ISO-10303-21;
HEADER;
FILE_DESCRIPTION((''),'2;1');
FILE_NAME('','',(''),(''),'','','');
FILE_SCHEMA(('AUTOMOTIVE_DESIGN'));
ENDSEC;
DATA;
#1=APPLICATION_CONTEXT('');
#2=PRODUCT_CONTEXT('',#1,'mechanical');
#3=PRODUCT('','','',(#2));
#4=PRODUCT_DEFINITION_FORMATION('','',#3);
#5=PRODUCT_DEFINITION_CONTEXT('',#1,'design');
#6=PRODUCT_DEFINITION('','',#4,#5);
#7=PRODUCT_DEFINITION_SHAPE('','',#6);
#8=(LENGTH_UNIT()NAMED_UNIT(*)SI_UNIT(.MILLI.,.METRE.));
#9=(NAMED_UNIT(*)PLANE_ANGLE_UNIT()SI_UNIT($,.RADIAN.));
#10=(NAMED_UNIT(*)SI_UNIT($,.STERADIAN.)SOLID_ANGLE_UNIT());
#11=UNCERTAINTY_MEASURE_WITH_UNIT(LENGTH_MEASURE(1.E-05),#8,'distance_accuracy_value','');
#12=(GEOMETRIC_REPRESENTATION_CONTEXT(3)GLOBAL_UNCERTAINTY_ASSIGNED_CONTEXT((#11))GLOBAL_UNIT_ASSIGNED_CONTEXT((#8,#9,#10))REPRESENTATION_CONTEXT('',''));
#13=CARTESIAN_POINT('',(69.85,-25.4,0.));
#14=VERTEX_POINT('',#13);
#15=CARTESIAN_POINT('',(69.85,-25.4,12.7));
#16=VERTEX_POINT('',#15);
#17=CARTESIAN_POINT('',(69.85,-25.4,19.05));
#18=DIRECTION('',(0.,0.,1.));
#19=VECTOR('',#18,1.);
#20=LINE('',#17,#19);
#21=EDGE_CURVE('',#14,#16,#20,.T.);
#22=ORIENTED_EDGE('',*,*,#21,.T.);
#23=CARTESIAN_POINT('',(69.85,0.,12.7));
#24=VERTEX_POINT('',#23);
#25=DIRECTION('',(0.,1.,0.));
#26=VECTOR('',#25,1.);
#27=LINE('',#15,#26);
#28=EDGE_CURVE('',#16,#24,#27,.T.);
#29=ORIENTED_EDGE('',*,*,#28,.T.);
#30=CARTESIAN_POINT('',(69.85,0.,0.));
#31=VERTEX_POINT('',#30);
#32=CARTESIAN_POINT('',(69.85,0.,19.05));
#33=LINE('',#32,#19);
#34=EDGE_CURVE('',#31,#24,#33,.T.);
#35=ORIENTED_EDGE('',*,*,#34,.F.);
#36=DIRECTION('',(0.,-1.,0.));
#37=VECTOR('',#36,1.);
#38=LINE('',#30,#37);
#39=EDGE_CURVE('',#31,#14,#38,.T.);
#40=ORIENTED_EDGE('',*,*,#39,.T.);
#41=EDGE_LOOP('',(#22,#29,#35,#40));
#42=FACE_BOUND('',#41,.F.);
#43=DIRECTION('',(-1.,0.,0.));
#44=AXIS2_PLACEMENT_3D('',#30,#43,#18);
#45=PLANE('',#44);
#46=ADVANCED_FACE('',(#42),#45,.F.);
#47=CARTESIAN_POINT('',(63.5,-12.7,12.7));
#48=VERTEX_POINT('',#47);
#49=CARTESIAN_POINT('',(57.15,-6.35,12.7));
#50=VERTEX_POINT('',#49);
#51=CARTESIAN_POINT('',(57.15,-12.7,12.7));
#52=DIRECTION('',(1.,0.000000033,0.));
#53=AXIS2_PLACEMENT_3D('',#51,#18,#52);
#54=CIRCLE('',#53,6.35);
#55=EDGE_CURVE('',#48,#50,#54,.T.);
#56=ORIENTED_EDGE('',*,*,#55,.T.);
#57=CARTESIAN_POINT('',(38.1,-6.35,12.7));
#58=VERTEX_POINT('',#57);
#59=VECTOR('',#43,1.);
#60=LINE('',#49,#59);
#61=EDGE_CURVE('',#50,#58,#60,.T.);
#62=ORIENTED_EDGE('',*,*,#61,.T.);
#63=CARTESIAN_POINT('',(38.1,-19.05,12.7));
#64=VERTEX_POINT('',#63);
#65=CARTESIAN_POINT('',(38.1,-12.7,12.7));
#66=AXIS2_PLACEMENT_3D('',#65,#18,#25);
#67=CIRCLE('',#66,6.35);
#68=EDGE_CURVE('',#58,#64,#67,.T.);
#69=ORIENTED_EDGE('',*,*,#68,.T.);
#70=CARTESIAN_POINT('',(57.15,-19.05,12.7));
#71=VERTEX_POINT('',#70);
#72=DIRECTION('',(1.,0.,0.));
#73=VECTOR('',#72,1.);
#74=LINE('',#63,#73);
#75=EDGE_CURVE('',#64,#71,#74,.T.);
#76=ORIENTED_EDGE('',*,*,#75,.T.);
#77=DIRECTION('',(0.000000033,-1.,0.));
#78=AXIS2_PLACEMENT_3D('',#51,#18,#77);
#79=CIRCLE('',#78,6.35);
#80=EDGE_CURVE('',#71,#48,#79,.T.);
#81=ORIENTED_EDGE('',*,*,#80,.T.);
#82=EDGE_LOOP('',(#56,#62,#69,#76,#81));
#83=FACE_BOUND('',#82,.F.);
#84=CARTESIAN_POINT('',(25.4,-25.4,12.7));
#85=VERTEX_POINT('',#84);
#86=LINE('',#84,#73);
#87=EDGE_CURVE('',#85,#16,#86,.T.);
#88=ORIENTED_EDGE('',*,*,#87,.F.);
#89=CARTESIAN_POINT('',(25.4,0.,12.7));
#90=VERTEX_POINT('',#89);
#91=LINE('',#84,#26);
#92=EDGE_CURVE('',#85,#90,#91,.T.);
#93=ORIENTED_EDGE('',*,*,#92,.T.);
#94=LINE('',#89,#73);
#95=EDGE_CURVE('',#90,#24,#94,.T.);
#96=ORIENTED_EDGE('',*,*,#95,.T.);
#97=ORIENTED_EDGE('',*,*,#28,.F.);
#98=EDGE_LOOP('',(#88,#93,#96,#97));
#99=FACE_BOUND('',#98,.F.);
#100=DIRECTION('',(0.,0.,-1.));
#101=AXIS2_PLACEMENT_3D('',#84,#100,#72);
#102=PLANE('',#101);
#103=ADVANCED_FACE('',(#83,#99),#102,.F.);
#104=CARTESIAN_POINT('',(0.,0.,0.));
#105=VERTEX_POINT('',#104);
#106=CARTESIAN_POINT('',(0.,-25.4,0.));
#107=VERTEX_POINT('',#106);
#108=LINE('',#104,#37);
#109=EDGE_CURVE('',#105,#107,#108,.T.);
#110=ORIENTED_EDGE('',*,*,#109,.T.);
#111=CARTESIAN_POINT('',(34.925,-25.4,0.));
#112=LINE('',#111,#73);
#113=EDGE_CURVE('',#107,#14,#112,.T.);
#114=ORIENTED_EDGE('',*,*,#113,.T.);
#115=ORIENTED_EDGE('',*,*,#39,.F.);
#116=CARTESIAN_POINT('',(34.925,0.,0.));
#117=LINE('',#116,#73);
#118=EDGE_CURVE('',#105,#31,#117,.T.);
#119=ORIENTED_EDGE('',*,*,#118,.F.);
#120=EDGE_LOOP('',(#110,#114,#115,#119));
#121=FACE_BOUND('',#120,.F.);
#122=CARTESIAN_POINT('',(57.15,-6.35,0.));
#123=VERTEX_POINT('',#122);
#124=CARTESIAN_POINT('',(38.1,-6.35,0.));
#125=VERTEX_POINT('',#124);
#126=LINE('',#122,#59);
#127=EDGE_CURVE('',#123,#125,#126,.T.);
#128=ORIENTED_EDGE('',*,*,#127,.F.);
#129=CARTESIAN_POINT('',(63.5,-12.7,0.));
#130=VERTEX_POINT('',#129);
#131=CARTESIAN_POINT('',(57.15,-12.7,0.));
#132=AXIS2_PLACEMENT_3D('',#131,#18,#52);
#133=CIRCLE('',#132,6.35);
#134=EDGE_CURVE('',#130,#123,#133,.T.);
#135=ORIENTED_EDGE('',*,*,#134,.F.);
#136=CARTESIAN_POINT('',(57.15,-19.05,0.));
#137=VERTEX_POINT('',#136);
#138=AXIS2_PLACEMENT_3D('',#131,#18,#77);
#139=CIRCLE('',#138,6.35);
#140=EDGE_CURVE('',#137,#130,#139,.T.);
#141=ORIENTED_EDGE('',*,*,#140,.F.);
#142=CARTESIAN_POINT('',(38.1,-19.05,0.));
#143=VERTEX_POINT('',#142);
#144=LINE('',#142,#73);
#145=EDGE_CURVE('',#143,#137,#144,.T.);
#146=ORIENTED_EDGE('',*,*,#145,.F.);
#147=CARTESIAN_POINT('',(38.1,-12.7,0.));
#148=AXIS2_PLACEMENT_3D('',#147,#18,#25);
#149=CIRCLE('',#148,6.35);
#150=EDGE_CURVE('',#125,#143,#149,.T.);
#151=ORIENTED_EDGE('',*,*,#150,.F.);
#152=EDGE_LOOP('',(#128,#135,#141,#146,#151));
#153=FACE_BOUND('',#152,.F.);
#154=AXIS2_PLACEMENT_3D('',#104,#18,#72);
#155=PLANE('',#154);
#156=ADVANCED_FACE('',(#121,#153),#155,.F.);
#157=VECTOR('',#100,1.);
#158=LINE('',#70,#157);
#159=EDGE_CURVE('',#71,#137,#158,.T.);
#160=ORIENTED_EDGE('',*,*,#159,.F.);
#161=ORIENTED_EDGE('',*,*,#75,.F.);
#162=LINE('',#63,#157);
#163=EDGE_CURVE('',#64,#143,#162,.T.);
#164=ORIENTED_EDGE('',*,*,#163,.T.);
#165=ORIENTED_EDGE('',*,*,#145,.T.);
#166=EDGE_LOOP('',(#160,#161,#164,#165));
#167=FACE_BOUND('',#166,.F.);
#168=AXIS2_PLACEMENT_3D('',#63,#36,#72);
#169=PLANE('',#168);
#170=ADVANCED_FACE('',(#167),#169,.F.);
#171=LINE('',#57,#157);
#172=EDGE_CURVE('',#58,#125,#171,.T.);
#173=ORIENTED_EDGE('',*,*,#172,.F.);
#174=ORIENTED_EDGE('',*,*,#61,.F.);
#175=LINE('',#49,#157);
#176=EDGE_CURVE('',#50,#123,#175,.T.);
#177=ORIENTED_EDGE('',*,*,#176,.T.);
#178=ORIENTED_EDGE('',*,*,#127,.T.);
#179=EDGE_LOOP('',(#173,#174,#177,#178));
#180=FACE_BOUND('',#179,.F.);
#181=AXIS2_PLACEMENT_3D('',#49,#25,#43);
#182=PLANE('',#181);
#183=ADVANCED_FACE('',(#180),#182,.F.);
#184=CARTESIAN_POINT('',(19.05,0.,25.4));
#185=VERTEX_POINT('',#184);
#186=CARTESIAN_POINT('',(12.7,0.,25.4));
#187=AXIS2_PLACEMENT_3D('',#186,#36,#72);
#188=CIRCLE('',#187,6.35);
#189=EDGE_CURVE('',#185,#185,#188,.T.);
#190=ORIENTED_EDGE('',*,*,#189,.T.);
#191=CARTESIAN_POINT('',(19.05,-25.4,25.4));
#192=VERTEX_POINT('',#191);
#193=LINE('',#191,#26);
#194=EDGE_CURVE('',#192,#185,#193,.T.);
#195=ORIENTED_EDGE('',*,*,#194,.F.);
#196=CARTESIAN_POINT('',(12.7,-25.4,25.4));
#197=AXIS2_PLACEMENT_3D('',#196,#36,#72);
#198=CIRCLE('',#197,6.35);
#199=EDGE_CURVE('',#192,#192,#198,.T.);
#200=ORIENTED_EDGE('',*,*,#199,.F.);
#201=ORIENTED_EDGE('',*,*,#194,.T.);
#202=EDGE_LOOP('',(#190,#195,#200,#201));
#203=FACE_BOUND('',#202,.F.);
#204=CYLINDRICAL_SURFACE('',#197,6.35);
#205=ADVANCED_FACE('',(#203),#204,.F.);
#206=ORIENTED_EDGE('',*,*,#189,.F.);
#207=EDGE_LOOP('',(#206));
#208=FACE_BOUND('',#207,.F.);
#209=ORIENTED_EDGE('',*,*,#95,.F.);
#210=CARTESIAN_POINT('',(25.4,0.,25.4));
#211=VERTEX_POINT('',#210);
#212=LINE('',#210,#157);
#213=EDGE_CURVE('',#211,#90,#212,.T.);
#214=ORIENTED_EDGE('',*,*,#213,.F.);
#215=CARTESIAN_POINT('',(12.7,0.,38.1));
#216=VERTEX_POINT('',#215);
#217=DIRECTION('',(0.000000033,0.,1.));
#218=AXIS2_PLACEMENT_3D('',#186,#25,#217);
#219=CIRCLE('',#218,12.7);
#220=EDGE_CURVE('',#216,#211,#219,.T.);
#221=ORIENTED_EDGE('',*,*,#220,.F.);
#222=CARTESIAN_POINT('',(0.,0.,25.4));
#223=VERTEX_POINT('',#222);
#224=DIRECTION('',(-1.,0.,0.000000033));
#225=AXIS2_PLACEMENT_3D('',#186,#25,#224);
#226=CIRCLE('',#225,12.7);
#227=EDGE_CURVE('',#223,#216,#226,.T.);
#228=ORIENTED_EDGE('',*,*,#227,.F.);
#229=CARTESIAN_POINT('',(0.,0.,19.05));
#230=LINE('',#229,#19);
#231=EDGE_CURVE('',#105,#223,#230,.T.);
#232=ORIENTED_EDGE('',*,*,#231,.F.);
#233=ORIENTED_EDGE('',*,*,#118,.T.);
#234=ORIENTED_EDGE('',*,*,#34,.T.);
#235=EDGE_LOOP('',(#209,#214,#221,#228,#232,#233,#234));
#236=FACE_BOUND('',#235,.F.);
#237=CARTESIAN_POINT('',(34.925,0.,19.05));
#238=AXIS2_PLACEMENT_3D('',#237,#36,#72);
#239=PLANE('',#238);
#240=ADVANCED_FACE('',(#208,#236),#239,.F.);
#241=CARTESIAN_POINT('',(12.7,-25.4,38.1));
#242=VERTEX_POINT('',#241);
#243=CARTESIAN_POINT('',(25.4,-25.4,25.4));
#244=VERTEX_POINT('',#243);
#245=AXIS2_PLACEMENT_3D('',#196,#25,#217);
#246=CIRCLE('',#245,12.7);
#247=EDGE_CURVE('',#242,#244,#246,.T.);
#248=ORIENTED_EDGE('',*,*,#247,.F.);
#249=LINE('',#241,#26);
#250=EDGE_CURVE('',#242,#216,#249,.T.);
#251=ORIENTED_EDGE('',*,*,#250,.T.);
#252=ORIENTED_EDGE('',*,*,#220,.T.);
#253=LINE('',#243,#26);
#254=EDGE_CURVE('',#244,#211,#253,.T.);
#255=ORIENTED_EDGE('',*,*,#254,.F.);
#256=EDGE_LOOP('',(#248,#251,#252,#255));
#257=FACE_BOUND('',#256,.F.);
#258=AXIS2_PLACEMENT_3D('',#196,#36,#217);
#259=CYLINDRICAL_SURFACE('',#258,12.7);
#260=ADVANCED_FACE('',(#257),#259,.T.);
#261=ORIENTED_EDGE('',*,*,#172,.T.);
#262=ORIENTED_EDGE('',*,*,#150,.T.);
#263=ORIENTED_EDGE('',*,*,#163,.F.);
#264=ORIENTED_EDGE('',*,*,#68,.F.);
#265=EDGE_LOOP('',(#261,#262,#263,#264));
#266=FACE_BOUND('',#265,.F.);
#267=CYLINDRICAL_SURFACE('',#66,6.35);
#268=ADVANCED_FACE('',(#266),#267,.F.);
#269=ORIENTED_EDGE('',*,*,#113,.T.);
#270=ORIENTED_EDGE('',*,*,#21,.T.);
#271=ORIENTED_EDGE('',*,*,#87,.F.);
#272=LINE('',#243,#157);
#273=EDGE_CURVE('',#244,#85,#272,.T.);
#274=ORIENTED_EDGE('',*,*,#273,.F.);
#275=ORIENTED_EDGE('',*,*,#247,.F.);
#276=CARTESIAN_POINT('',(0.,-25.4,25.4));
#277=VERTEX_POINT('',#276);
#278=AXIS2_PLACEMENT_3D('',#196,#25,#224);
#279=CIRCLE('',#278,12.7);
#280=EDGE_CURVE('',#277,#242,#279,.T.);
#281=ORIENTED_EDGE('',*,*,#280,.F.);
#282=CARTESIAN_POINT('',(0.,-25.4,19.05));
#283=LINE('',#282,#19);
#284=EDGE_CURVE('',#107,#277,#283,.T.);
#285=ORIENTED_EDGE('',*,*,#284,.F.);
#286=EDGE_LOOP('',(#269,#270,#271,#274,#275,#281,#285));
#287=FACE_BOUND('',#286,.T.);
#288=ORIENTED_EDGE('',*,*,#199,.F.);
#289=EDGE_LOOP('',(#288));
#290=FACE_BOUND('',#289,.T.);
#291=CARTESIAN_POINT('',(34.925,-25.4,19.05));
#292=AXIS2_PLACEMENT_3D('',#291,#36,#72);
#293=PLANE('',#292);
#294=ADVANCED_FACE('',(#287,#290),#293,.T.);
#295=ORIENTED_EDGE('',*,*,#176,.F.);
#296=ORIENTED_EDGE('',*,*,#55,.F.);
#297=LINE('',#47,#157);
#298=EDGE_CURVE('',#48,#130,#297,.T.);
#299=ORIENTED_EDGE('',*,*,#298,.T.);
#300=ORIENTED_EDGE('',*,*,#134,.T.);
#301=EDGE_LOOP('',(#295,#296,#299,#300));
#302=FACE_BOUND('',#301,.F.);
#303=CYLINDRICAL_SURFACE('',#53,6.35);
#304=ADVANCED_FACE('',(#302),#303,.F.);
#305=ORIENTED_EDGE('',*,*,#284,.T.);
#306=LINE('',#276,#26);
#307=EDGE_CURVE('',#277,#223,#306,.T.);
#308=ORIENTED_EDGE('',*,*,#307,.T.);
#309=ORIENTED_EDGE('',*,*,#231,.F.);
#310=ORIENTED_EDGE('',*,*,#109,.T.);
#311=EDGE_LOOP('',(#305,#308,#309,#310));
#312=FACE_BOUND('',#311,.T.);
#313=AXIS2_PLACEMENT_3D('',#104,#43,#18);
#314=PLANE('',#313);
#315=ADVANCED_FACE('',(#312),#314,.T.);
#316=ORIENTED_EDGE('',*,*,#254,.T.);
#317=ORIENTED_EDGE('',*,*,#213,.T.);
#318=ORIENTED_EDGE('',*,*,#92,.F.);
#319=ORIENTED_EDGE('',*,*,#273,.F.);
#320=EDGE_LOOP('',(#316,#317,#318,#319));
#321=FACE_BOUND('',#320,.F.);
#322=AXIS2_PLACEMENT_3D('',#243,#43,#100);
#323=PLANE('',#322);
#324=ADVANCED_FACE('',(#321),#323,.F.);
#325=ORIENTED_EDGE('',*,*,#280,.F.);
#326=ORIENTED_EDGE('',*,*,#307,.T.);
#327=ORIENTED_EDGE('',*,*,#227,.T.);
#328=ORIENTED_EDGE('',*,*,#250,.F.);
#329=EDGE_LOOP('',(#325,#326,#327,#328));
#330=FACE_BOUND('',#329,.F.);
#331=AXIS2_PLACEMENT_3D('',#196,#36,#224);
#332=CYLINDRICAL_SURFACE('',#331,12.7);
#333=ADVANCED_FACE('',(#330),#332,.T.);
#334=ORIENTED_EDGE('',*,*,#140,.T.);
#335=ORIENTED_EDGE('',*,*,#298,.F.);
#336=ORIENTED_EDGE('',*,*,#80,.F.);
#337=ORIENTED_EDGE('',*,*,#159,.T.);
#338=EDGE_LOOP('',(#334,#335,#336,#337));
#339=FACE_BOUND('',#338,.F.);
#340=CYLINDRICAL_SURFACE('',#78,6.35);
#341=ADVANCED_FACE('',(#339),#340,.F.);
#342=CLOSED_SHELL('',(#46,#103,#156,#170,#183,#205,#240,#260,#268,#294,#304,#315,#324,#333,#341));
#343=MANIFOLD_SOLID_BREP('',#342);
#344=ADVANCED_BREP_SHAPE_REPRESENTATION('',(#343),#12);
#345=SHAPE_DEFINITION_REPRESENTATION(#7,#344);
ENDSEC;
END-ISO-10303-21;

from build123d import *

# Parameters (mm, degrees)
F0_W     = 69.85
F0_H     = 38.1
F1_DEPTH = 25.4
F2_R     = 6.35
F3_DEPTH = 25.4
F5_DEPTH = 12.7


with BuildPart() as f1:
    # F0 (on Front) → F1 (new body)
    with BuildSketch(Plane.XZ):
        with Locations((34.925, 19.05)):
            Rectangle(F0_W, F0_H)
    extrude(amount=F1_DEPTH)

    # F2 (on face) → F3 (cut)
    with BuildSketch(Plane.XZ.offset(25.4)):
        with Locations((12.7, 25.4)):
            Circle(F2_R)
        with BuildLine():
            ThreePointArc((12.7, 38.1), (21.680256, 34.380256), (25.4, 25.4))
            Line((25.4, 25.4), (25.4, 12.7))
            Line((25.4, 12.7), (69.85, 12.7))
            Line((69.85, 12.7), (69.85, 38.1))
            Line((69.85, 38.1), (12.7, 38.1))
        make_face()
        with BuildLine():
            ThreePointArc((0, 25.4), (3.719744, 34.380256), (12.7, 38.1))
            Line((12.7, 38.1), (0, 38.1))
            Line((0, 38.1), (0, 25.4))
        make_face()
    extrude(amount=-F3_DEPTH, mode=Mode.SUBTRACT)

    # F4 (on face) → F5 (cut)
    with BuildSketch(Plane.XY.offset(12.7)):
        with BuildLine():
            ThreePointArc((57.15, -19.05), (50.8, -12.7), (57.15, -6.35))
            Line((57.15, -6.35), (38.1, -6.35))
            ThreePointArc((38.1, -6.35), (42.590128, -8.209872), (44.45, -12.7))
            ThreePointArc((44.45, -12.7), (42.590128, -17.190128), (38.1, -19.05))
            Line((38.1, -19.05), (57.15, -19.05))
        make_face()
        with BuildLine():
            ThreePointArc((44.45, -12.7), (42.590128, -8.209872), (38.1, -6.35))
            ThreePointArc((38.1, -6.35), (31.75, -12.7), (38.1, -19.05))
            ThreePointArc((38.1, -19.05), (42.590128, -17.190128), (44.45, -12.7))
        make_face()
        with BuildLine():
            ThreePointArc((57.15, -19.05), (61.640128, -17.190128), (63.5, -12.7))
            ThreePointArc((63.5, -12.7), (61.640128, -8.209872), (57.15, -6.35))
            ThreePointArc((57.15, -6.35), (50.8, -12.7), (57.15, -19.05))
        make_face()
    extrude(amount=-F5_DEPTH, mode=Mode.SUBTRACT)


solid = f1.part
